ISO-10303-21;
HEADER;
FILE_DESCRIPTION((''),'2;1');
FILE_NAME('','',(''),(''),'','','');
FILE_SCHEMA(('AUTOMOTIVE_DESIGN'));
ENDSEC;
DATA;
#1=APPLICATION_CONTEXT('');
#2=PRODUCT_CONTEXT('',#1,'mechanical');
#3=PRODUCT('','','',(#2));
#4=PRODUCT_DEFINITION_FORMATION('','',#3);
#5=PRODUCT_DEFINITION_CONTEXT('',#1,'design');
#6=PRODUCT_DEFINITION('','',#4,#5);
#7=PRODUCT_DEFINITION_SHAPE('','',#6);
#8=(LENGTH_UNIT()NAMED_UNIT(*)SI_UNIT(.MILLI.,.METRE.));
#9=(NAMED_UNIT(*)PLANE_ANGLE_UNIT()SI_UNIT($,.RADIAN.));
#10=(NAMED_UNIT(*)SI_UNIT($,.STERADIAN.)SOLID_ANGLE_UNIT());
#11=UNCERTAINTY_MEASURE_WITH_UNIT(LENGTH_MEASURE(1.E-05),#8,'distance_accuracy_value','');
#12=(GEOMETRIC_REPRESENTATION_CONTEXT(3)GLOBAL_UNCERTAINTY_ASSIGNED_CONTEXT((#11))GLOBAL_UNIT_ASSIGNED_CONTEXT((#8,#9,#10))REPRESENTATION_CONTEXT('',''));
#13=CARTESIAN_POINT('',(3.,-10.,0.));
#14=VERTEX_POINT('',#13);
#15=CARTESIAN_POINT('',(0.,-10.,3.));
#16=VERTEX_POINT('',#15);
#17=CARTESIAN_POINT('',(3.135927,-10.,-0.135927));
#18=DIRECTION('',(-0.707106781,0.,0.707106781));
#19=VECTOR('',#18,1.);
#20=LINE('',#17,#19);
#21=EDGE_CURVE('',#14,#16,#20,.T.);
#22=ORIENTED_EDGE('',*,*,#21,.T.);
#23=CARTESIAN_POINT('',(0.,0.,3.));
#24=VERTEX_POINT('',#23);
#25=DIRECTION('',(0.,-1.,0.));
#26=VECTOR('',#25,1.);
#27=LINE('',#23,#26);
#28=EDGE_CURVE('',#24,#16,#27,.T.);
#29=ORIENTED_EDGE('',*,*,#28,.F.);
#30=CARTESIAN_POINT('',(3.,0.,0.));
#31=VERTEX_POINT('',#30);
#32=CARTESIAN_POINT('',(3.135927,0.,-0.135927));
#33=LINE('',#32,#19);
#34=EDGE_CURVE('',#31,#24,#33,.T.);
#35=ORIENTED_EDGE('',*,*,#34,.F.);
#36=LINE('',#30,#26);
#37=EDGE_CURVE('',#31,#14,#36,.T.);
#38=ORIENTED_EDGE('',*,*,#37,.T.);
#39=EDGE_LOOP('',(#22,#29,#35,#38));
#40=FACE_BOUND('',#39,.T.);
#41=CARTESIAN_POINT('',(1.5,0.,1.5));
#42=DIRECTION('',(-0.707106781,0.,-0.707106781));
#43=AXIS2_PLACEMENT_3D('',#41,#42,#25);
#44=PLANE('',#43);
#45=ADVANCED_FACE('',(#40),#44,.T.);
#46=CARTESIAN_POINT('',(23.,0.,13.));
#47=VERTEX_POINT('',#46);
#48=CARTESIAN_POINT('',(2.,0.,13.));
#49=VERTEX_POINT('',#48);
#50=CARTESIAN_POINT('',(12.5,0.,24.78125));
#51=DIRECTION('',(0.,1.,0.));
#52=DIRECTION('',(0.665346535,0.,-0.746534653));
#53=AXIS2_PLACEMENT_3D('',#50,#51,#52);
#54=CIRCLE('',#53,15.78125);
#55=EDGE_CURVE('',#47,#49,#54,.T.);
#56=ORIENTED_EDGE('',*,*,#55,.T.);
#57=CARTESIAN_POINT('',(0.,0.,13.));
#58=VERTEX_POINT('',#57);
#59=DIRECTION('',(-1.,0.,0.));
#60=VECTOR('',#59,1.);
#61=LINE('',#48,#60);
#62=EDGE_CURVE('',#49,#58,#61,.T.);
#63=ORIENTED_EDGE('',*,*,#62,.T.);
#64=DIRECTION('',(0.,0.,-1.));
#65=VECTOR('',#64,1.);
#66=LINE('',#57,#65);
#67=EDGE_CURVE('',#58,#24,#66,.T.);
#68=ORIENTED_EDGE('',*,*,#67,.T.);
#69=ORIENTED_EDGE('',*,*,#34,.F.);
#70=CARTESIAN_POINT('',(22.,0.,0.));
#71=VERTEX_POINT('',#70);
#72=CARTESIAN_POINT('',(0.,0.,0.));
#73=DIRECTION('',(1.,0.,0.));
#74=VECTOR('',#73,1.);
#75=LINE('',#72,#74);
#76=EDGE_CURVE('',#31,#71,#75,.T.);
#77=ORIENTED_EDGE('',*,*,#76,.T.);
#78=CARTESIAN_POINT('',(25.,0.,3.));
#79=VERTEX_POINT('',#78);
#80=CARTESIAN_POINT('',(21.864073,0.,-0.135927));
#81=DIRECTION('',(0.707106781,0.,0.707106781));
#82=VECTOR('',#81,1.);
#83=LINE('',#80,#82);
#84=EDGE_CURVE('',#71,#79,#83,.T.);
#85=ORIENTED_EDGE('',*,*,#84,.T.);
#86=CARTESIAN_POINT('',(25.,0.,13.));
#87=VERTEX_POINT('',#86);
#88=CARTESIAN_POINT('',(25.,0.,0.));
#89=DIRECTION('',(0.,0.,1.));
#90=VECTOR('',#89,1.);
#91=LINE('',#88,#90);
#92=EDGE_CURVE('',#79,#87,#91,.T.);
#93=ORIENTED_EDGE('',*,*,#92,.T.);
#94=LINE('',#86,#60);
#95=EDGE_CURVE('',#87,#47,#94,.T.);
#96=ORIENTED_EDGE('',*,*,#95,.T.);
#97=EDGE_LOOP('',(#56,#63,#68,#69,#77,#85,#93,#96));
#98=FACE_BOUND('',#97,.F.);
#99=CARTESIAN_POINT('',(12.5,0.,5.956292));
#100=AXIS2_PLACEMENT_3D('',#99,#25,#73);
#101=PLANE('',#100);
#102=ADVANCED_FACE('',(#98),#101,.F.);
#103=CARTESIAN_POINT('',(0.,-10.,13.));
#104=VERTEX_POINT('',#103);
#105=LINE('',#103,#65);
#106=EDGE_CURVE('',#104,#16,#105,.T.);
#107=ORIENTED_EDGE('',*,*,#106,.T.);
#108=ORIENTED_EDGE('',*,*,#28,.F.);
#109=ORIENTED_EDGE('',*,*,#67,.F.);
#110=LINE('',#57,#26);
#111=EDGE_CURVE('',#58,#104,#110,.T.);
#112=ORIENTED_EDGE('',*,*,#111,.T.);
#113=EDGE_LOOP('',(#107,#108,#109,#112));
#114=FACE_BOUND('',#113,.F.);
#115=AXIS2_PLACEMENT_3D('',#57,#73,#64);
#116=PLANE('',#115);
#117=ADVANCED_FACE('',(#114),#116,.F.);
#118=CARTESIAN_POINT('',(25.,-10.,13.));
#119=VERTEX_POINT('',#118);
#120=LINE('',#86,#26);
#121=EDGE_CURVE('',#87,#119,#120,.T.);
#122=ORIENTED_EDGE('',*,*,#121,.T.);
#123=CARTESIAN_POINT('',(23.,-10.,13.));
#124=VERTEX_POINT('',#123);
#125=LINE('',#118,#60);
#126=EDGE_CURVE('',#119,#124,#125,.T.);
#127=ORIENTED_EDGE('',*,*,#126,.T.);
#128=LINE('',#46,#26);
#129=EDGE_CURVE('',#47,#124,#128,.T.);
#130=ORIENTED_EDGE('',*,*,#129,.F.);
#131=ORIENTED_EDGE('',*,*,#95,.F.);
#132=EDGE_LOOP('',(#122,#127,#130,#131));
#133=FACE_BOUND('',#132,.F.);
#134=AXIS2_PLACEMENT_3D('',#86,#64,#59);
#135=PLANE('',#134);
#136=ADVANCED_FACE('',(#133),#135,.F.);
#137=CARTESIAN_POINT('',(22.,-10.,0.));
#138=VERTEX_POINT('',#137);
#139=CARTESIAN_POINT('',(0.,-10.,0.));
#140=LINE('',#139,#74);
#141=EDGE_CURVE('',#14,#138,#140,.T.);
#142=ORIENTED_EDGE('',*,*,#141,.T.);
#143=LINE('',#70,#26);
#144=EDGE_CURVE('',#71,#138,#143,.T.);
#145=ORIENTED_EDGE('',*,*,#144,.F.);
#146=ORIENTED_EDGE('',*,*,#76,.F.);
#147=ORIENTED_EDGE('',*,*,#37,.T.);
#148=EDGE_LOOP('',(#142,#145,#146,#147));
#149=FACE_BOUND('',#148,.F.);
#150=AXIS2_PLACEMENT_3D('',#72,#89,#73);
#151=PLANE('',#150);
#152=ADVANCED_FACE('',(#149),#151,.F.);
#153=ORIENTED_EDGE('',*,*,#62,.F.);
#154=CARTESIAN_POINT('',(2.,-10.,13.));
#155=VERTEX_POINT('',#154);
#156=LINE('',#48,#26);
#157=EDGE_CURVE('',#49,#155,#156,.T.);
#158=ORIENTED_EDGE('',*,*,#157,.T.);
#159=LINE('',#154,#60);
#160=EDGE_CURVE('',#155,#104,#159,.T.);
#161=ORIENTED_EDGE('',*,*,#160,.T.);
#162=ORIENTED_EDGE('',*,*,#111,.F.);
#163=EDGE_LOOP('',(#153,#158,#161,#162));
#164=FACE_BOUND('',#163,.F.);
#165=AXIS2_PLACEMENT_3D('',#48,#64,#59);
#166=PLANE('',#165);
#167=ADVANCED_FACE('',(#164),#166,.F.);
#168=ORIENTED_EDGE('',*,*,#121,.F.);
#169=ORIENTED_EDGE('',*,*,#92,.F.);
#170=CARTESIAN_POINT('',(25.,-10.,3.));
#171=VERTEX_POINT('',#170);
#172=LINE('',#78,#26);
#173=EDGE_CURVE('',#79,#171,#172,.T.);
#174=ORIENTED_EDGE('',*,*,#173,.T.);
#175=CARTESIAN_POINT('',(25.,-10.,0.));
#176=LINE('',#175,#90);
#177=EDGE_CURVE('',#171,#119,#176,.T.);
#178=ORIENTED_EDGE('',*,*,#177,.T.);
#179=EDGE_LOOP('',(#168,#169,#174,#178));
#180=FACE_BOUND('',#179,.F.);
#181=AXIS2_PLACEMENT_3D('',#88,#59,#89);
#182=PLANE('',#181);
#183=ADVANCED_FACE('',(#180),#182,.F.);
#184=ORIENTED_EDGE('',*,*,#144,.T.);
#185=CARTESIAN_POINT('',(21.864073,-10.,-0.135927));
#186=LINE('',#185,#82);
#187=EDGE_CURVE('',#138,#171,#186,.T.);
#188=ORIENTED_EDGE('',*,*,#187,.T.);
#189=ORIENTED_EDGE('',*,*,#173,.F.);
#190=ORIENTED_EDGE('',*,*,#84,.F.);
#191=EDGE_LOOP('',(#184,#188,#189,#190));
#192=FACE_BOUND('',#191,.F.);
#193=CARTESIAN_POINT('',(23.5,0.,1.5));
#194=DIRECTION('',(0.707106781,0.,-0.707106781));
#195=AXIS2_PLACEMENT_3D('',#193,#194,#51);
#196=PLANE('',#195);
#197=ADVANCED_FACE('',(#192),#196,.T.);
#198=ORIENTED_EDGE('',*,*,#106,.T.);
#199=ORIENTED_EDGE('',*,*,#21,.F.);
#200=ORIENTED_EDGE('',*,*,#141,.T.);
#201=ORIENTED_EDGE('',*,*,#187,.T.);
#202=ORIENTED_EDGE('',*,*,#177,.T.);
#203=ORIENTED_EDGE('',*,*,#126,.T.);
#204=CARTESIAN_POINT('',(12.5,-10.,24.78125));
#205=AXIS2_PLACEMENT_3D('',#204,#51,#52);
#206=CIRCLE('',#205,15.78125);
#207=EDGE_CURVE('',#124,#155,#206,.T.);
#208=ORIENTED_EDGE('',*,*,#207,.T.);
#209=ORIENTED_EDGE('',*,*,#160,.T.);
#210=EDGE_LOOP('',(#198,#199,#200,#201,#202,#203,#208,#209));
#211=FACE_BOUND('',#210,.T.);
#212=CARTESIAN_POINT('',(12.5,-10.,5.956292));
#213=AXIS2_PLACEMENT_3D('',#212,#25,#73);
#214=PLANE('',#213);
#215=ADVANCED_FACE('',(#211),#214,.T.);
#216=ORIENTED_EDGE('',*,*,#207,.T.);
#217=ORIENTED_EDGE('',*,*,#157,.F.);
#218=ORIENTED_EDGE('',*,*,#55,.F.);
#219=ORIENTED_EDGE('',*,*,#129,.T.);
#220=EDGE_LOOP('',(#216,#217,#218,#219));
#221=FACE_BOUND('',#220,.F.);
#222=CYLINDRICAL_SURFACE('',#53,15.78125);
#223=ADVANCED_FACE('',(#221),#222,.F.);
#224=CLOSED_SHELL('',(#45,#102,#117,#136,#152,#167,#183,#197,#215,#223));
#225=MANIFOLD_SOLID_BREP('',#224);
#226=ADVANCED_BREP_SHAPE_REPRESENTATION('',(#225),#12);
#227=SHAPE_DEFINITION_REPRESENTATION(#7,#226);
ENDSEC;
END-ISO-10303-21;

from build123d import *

# Parameters (mm, degrees)
F1_DEPTH = 10
F2_SIZE  = 3
F3_SIZE  = 3


with BuildPart() as f1:
    # F0 (on Front) → F1 (new body)
    with BuildSketch(Plane.XZ):
        with BuildLine():
            Line((2, 13), (0, 13))
            Line((0, 13), (0, 0))
            Line((0, 0), (25, 0))
            Line((25, 0), (25, 13))
            Line((25, 13), (23, 13))
            ThreePointArc((23, 13), (12.5, 9), (2, 13))
        make_face()
    extrude(amount=F1_DEPTH)

    # F2
    f2_edges = [f1.edges().sort_by_distance(p)[0] for p in [
        (25, -5, 0),
    ]]
    chamfer(f2_edges, length=F2_SIZE)

    # F3
    f3_edges = [f1.edges().sort_by_distance(p)[0] for p in [
        (0, -5, 0),
    ]]
    chamfer(f3_edges, length=F3_SIZE)


solid = f1.part
